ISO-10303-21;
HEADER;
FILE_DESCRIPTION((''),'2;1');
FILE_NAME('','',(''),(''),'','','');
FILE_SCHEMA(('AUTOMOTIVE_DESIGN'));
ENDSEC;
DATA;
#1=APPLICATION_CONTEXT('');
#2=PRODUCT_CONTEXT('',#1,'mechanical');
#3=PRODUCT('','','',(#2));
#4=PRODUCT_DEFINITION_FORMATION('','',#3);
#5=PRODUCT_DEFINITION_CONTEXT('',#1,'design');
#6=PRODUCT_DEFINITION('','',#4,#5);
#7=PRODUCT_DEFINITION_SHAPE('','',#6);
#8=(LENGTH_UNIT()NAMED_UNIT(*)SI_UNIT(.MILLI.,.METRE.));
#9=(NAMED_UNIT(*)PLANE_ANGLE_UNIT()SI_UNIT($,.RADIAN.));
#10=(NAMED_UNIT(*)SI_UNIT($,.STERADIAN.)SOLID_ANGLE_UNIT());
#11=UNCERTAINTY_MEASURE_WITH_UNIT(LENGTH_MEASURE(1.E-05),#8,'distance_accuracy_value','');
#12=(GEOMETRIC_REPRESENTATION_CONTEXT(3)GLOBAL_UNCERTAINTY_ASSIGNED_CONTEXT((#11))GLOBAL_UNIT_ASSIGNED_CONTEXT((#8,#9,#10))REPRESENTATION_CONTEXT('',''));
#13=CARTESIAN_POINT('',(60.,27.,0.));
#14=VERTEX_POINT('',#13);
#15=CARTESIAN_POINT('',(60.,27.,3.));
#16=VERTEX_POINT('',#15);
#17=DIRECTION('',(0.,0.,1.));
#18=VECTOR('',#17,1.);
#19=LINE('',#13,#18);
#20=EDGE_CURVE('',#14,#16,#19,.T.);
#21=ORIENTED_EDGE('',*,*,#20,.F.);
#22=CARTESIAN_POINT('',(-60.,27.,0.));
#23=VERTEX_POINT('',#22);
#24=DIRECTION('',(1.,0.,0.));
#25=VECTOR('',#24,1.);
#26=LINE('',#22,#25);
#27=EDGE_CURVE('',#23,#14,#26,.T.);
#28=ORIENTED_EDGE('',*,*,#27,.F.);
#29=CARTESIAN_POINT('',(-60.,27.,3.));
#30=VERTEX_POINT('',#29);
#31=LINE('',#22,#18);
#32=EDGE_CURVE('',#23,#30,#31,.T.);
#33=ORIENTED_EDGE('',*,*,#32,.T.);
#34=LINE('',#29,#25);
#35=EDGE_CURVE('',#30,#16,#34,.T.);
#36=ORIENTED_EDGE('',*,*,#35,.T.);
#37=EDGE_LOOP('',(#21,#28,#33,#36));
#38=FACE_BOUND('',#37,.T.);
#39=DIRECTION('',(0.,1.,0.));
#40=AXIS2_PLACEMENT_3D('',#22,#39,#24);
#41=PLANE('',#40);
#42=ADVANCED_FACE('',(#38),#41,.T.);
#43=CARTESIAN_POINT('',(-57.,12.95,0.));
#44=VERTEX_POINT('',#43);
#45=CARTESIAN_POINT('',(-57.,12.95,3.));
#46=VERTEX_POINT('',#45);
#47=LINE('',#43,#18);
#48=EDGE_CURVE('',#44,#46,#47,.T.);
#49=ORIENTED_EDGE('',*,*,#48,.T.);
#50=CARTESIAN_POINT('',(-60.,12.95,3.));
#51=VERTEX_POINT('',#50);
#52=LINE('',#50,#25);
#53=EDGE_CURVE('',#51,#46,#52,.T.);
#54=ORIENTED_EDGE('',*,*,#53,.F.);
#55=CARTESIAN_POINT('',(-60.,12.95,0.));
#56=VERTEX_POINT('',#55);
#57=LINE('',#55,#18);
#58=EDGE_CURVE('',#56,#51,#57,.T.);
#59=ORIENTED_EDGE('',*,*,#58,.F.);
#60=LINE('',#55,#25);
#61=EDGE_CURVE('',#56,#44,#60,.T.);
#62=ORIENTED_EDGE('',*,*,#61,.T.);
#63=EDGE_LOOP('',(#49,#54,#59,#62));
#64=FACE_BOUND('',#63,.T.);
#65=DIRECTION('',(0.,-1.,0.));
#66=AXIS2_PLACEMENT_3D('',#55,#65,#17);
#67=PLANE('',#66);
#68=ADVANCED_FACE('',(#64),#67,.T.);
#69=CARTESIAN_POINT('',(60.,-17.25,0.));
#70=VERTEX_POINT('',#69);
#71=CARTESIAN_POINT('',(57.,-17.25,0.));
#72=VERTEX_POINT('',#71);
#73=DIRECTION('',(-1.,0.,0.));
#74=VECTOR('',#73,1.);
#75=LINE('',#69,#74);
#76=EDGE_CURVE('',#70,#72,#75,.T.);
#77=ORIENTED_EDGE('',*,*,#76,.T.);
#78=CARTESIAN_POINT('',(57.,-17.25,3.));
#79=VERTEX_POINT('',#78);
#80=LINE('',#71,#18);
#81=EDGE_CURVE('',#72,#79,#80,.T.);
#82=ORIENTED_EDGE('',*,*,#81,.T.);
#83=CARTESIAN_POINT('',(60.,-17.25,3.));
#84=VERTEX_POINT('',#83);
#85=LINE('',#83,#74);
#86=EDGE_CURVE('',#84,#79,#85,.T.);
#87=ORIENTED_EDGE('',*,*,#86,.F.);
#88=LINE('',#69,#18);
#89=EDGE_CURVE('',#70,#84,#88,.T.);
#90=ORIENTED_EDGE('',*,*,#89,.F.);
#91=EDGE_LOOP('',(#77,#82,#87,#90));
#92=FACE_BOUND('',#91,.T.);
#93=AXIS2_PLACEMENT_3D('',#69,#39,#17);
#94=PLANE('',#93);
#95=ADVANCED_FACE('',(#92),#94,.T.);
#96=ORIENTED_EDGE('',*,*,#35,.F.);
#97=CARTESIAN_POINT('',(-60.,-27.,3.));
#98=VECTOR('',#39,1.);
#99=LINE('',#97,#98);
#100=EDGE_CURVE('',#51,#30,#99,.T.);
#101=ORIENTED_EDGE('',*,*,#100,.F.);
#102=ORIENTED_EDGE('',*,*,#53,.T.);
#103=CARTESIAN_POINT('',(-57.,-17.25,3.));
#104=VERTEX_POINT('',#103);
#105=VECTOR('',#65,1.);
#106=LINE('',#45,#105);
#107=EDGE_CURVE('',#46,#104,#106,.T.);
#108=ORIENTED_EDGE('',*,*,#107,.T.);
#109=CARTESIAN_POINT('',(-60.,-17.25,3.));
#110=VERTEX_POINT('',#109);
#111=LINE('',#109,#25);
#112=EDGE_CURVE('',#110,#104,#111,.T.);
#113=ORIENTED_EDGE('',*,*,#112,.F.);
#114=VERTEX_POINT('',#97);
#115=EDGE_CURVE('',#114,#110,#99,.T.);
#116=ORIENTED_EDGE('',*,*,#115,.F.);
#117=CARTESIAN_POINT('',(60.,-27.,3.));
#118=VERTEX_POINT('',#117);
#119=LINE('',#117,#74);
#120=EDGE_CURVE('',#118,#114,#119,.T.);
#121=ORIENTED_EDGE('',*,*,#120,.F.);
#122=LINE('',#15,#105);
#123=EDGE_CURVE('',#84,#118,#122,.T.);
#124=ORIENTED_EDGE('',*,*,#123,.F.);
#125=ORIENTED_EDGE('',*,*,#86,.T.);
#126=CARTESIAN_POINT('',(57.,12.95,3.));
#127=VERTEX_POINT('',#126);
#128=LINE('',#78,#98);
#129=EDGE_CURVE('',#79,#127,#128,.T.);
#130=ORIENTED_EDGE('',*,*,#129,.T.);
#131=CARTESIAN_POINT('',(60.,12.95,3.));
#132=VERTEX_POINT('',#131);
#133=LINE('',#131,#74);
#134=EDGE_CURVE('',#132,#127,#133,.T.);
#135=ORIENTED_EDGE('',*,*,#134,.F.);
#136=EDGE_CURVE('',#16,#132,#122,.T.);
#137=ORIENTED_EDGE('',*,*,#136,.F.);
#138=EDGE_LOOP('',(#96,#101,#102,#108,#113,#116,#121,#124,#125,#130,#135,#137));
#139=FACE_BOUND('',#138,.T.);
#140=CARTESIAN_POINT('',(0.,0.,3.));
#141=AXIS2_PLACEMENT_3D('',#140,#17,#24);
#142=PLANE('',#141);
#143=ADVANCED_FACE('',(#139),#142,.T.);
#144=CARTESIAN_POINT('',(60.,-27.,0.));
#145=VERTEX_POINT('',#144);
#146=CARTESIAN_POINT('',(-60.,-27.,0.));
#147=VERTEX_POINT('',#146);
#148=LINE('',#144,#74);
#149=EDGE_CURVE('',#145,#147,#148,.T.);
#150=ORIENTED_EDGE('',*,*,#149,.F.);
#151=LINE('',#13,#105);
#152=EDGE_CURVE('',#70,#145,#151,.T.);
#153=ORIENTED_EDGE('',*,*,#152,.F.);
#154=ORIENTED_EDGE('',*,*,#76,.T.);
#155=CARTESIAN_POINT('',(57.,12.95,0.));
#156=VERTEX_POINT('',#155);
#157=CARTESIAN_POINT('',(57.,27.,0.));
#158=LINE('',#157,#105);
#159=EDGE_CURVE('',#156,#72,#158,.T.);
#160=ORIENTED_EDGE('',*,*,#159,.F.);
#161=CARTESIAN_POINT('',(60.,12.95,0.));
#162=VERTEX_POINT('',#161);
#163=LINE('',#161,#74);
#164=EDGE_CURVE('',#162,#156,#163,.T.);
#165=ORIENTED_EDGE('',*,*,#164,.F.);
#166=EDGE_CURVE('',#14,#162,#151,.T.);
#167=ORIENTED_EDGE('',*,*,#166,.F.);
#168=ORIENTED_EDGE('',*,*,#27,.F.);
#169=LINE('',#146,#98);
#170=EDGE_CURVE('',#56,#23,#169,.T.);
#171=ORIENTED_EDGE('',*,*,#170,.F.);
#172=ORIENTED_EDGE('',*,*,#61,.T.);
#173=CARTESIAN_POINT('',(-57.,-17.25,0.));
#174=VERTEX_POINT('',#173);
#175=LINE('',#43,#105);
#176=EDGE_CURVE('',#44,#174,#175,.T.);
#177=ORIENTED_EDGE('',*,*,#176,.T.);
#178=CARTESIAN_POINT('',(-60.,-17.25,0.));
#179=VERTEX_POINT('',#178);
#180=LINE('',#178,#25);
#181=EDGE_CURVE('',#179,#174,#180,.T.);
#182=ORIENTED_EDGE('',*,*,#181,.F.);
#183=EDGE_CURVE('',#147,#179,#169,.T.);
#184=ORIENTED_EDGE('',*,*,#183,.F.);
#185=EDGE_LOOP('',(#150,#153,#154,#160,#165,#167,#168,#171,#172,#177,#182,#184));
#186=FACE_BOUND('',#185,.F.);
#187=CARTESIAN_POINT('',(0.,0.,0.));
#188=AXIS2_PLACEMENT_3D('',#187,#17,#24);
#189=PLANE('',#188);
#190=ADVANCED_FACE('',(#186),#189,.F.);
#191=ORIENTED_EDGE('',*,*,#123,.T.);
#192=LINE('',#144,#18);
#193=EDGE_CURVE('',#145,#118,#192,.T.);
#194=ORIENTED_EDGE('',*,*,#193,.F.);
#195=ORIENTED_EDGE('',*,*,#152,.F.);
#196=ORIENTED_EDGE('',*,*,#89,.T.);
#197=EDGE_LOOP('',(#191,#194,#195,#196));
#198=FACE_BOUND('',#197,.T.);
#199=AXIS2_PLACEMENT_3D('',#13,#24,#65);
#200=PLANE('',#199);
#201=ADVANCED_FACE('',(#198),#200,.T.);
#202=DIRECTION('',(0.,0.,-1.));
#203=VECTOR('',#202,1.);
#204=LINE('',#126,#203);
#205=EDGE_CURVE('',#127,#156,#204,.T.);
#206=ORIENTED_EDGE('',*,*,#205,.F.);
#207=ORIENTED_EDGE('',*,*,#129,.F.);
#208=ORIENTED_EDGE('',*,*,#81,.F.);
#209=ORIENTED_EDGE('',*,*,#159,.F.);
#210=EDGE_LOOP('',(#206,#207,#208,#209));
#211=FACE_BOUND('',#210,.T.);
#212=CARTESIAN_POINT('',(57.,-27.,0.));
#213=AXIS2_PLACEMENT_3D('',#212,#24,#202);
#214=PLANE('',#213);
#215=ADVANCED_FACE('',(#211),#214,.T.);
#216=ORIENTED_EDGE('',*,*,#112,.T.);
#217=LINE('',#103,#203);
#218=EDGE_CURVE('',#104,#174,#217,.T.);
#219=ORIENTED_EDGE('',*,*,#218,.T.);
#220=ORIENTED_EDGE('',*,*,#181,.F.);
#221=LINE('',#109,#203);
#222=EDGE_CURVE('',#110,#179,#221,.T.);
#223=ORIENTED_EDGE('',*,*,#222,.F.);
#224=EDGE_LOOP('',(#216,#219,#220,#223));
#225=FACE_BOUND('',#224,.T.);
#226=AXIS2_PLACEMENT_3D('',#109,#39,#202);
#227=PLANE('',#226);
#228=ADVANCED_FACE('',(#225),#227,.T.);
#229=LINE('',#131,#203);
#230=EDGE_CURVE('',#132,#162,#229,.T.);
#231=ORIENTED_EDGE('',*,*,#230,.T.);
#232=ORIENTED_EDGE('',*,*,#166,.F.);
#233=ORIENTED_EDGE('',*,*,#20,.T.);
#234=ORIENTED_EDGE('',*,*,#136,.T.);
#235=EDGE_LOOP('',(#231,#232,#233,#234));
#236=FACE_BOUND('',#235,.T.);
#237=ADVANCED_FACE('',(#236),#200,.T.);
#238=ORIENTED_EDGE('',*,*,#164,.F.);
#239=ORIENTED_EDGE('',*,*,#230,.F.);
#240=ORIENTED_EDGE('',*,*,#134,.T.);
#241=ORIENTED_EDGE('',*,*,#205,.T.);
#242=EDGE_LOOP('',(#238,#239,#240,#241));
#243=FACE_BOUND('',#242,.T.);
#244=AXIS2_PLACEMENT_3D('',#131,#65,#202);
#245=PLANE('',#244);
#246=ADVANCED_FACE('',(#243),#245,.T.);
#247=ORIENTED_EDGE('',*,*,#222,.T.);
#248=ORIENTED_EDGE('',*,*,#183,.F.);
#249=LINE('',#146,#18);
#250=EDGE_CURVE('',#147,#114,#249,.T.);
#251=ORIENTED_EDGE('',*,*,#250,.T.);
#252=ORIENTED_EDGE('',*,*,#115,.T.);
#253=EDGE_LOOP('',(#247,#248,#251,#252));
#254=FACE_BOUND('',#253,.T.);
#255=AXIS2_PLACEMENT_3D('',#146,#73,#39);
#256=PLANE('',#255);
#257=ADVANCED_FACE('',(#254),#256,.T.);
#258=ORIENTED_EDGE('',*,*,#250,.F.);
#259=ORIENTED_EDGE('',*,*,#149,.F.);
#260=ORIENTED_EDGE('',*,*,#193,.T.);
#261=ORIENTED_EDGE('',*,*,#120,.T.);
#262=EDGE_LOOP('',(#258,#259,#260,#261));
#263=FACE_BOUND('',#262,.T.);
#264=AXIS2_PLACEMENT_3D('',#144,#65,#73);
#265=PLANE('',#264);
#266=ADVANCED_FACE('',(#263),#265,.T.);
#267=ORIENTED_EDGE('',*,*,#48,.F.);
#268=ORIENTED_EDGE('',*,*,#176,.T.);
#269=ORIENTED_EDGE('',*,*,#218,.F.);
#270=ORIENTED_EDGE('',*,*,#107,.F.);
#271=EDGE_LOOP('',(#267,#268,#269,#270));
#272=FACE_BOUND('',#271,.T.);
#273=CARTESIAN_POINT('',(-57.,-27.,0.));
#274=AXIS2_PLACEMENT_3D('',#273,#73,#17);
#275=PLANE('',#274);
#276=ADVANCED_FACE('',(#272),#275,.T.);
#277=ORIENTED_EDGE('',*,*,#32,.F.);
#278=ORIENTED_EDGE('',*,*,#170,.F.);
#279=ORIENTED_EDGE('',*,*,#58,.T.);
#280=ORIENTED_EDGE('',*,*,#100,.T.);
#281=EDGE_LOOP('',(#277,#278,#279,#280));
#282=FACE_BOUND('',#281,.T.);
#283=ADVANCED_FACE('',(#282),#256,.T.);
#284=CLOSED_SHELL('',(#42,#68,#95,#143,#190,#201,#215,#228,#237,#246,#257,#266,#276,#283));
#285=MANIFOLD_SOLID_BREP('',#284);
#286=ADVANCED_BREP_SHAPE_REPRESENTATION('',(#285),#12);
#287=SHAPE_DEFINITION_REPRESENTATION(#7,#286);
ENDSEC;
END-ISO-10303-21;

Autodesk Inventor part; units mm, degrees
ref_plane "YZ Plane" through (0, 0, 0) normal (1, 0, 0) x (0, 1, 0)
ref_plane "XZ Plane" through (0, 0, 0) normal (0, 1, 0) x (-1, 0, 0)
ref_plane "XY Plane" through (0, 0, 0) normal (0, 0, 1) x (1, 0, 0)
sketch "Esboço1" plane through (0, 0, 0) normal (0, 0, 1) x (1, 0, 0)
  line L0 (60, -27) -> (-60, -27)
  line L1 (-60, -27) -> (-60, 27)
  line L2 (-60, 27) -> (60, 27)
  line L3 (60, 27) -> (60, -27)
  line L4 (60, -27) -> (-60, 27) construction
  line L5 (-60, -27) -> (60, 27) construction
  point P0 (0, 0)
  dimension "d0" = 120
  dimension "d1" = 54
extrude "Extrusão1" add sketch "Esboço1" along normal blind 3
sketch "Esboço2" plane through (60, -27, 0) normal (1, 0, 0) x (0, 0, -1)
  line L0 (0, 54) -> (0, 43.9)
  line L1 (0, 54) -> (0, 0) projected
  line L2 (0, 0) -> (0, 9.75)
  line L3 (0, 9.75) -> (-3, 9.75)
  line L4 (-3, 9.75) -> (-3, 39.95)
  line L5 (-3, 39.95) -> (0, 39.95)
  line L6 (0, 39.95) -> (0, 9.75)
  point P0 (0, 27)
  point P1 (0, 39.95)
  point P2 (-1.5, 9.75)
  point P3 (-1.5, 39.95)
  dimension "d5" = 9.75
  dimension "d6" = 3
  dimension "d22" = 30.2
extrude "Extrusão2" cut sketch "Esboço2" against normal blind 3
sketch "Esboço3" plane through (-60, -27, 0) normal (-1, 0, 0) x (0, 0, 1)
  line L0 (3, 39.95) -> (3, 54) projected
  line L1 (3, 54) -> (3, 39.95)
  line L2 (3, 0) -> (3, 9.75) projected
  line L3 (3, 0) -> (3, 9.75)
  line L4 (0, 39.95) -> (0, 9.75) projected
  line L5 (3, 9.75) -> (0, 9.75)
  line L6 (0, 9.75) -> (0, 39.95)
  line L7 (0, 39.95) -> (3, 39.95)
  line L8 (3, 39.95) -> (3, 9.75)
  point P0 (0, 27)
extrude "Extrusão3" cut sketch "Esboço3" against normal blind 3
sketch "Esboço4" plane through (-60, 27, 0) normal (0, 1, 0) x (1, 0, 0)
  point P0 (60, 0)
properties part number "top inclinado"
